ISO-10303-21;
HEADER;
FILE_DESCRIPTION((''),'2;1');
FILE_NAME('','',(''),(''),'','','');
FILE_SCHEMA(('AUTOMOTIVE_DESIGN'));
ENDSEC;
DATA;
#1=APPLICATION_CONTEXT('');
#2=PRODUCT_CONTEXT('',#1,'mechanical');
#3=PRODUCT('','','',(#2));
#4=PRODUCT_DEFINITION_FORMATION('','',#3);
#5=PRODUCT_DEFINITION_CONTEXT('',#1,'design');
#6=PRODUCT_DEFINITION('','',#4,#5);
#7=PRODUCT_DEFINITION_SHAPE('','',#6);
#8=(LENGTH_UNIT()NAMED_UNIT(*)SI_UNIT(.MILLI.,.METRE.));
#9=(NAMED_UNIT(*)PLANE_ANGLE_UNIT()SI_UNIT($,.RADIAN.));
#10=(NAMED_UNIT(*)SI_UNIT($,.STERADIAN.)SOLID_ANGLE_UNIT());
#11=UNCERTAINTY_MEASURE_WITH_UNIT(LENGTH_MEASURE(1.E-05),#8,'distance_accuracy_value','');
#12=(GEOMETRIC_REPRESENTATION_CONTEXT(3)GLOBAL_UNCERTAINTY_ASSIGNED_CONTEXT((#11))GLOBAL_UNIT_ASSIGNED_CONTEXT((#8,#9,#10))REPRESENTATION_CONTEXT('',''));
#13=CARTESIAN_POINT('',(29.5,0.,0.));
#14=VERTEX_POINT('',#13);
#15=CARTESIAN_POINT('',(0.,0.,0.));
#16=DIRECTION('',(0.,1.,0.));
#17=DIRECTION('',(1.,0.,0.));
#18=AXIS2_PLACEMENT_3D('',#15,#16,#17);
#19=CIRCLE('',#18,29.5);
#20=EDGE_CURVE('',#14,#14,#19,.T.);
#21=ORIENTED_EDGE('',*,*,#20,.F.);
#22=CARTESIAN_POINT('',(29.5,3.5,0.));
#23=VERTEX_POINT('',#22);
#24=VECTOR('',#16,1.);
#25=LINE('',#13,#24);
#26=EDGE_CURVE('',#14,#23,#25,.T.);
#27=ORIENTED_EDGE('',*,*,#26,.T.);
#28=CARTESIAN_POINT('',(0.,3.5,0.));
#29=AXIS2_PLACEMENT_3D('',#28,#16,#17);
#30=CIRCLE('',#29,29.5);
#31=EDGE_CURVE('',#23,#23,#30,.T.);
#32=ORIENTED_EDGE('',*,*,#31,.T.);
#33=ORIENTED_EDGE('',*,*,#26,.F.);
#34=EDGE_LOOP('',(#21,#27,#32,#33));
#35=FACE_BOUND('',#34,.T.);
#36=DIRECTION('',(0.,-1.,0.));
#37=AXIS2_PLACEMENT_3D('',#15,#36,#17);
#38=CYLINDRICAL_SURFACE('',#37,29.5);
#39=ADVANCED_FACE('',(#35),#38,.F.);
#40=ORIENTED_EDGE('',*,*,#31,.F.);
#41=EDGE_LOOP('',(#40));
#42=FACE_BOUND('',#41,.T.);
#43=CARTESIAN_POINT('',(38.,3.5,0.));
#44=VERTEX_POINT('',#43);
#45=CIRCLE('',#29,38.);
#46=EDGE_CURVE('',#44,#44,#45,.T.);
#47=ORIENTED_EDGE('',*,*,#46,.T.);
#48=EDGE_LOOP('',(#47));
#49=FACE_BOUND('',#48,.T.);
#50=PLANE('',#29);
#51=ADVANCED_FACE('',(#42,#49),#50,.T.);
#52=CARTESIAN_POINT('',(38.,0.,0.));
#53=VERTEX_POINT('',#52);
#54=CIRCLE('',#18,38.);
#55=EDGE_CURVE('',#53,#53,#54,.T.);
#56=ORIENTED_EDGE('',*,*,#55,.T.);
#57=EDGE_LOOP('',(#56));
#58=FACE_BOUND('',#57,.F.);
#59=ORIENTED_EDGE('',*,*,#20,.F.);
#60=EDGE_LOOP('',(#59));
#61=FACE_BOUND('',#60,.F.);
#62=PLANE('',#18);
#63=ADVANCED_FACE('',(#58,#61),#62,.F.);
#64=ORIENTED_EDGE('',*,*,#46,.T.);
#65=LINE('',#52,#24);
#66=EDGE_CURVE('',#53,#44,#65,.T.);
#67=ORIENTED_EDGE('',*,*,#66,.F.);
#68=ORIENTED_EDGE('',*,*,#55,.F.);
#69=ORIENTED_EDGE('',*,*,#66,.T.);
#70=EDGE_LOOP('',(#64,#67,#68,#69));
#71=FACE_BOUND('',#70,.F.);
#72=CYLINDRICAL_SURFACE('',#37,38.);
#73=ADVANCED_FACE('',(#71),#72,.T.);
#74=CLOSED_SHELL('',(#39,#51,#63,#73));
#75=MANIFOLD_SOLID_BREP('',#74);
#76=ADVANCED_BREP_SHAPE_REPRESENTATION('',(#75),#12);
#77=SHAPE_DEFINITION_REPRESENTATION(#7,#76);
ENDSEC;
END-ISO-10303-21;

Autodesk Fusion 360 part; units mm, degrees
sketch "Sketch1" plane through (0, 0, 0) normal (0, 1, 0) x (1, 0, 0)
  circle A0 centre (0, 0) radius 29.5
  circle A1 centre (0, 0) radius 38
  dimension "d1" = 59
  dimension "d2" = 76
extrude "Extrude1" add sketch "Sketch1" along normal blind 3.5
